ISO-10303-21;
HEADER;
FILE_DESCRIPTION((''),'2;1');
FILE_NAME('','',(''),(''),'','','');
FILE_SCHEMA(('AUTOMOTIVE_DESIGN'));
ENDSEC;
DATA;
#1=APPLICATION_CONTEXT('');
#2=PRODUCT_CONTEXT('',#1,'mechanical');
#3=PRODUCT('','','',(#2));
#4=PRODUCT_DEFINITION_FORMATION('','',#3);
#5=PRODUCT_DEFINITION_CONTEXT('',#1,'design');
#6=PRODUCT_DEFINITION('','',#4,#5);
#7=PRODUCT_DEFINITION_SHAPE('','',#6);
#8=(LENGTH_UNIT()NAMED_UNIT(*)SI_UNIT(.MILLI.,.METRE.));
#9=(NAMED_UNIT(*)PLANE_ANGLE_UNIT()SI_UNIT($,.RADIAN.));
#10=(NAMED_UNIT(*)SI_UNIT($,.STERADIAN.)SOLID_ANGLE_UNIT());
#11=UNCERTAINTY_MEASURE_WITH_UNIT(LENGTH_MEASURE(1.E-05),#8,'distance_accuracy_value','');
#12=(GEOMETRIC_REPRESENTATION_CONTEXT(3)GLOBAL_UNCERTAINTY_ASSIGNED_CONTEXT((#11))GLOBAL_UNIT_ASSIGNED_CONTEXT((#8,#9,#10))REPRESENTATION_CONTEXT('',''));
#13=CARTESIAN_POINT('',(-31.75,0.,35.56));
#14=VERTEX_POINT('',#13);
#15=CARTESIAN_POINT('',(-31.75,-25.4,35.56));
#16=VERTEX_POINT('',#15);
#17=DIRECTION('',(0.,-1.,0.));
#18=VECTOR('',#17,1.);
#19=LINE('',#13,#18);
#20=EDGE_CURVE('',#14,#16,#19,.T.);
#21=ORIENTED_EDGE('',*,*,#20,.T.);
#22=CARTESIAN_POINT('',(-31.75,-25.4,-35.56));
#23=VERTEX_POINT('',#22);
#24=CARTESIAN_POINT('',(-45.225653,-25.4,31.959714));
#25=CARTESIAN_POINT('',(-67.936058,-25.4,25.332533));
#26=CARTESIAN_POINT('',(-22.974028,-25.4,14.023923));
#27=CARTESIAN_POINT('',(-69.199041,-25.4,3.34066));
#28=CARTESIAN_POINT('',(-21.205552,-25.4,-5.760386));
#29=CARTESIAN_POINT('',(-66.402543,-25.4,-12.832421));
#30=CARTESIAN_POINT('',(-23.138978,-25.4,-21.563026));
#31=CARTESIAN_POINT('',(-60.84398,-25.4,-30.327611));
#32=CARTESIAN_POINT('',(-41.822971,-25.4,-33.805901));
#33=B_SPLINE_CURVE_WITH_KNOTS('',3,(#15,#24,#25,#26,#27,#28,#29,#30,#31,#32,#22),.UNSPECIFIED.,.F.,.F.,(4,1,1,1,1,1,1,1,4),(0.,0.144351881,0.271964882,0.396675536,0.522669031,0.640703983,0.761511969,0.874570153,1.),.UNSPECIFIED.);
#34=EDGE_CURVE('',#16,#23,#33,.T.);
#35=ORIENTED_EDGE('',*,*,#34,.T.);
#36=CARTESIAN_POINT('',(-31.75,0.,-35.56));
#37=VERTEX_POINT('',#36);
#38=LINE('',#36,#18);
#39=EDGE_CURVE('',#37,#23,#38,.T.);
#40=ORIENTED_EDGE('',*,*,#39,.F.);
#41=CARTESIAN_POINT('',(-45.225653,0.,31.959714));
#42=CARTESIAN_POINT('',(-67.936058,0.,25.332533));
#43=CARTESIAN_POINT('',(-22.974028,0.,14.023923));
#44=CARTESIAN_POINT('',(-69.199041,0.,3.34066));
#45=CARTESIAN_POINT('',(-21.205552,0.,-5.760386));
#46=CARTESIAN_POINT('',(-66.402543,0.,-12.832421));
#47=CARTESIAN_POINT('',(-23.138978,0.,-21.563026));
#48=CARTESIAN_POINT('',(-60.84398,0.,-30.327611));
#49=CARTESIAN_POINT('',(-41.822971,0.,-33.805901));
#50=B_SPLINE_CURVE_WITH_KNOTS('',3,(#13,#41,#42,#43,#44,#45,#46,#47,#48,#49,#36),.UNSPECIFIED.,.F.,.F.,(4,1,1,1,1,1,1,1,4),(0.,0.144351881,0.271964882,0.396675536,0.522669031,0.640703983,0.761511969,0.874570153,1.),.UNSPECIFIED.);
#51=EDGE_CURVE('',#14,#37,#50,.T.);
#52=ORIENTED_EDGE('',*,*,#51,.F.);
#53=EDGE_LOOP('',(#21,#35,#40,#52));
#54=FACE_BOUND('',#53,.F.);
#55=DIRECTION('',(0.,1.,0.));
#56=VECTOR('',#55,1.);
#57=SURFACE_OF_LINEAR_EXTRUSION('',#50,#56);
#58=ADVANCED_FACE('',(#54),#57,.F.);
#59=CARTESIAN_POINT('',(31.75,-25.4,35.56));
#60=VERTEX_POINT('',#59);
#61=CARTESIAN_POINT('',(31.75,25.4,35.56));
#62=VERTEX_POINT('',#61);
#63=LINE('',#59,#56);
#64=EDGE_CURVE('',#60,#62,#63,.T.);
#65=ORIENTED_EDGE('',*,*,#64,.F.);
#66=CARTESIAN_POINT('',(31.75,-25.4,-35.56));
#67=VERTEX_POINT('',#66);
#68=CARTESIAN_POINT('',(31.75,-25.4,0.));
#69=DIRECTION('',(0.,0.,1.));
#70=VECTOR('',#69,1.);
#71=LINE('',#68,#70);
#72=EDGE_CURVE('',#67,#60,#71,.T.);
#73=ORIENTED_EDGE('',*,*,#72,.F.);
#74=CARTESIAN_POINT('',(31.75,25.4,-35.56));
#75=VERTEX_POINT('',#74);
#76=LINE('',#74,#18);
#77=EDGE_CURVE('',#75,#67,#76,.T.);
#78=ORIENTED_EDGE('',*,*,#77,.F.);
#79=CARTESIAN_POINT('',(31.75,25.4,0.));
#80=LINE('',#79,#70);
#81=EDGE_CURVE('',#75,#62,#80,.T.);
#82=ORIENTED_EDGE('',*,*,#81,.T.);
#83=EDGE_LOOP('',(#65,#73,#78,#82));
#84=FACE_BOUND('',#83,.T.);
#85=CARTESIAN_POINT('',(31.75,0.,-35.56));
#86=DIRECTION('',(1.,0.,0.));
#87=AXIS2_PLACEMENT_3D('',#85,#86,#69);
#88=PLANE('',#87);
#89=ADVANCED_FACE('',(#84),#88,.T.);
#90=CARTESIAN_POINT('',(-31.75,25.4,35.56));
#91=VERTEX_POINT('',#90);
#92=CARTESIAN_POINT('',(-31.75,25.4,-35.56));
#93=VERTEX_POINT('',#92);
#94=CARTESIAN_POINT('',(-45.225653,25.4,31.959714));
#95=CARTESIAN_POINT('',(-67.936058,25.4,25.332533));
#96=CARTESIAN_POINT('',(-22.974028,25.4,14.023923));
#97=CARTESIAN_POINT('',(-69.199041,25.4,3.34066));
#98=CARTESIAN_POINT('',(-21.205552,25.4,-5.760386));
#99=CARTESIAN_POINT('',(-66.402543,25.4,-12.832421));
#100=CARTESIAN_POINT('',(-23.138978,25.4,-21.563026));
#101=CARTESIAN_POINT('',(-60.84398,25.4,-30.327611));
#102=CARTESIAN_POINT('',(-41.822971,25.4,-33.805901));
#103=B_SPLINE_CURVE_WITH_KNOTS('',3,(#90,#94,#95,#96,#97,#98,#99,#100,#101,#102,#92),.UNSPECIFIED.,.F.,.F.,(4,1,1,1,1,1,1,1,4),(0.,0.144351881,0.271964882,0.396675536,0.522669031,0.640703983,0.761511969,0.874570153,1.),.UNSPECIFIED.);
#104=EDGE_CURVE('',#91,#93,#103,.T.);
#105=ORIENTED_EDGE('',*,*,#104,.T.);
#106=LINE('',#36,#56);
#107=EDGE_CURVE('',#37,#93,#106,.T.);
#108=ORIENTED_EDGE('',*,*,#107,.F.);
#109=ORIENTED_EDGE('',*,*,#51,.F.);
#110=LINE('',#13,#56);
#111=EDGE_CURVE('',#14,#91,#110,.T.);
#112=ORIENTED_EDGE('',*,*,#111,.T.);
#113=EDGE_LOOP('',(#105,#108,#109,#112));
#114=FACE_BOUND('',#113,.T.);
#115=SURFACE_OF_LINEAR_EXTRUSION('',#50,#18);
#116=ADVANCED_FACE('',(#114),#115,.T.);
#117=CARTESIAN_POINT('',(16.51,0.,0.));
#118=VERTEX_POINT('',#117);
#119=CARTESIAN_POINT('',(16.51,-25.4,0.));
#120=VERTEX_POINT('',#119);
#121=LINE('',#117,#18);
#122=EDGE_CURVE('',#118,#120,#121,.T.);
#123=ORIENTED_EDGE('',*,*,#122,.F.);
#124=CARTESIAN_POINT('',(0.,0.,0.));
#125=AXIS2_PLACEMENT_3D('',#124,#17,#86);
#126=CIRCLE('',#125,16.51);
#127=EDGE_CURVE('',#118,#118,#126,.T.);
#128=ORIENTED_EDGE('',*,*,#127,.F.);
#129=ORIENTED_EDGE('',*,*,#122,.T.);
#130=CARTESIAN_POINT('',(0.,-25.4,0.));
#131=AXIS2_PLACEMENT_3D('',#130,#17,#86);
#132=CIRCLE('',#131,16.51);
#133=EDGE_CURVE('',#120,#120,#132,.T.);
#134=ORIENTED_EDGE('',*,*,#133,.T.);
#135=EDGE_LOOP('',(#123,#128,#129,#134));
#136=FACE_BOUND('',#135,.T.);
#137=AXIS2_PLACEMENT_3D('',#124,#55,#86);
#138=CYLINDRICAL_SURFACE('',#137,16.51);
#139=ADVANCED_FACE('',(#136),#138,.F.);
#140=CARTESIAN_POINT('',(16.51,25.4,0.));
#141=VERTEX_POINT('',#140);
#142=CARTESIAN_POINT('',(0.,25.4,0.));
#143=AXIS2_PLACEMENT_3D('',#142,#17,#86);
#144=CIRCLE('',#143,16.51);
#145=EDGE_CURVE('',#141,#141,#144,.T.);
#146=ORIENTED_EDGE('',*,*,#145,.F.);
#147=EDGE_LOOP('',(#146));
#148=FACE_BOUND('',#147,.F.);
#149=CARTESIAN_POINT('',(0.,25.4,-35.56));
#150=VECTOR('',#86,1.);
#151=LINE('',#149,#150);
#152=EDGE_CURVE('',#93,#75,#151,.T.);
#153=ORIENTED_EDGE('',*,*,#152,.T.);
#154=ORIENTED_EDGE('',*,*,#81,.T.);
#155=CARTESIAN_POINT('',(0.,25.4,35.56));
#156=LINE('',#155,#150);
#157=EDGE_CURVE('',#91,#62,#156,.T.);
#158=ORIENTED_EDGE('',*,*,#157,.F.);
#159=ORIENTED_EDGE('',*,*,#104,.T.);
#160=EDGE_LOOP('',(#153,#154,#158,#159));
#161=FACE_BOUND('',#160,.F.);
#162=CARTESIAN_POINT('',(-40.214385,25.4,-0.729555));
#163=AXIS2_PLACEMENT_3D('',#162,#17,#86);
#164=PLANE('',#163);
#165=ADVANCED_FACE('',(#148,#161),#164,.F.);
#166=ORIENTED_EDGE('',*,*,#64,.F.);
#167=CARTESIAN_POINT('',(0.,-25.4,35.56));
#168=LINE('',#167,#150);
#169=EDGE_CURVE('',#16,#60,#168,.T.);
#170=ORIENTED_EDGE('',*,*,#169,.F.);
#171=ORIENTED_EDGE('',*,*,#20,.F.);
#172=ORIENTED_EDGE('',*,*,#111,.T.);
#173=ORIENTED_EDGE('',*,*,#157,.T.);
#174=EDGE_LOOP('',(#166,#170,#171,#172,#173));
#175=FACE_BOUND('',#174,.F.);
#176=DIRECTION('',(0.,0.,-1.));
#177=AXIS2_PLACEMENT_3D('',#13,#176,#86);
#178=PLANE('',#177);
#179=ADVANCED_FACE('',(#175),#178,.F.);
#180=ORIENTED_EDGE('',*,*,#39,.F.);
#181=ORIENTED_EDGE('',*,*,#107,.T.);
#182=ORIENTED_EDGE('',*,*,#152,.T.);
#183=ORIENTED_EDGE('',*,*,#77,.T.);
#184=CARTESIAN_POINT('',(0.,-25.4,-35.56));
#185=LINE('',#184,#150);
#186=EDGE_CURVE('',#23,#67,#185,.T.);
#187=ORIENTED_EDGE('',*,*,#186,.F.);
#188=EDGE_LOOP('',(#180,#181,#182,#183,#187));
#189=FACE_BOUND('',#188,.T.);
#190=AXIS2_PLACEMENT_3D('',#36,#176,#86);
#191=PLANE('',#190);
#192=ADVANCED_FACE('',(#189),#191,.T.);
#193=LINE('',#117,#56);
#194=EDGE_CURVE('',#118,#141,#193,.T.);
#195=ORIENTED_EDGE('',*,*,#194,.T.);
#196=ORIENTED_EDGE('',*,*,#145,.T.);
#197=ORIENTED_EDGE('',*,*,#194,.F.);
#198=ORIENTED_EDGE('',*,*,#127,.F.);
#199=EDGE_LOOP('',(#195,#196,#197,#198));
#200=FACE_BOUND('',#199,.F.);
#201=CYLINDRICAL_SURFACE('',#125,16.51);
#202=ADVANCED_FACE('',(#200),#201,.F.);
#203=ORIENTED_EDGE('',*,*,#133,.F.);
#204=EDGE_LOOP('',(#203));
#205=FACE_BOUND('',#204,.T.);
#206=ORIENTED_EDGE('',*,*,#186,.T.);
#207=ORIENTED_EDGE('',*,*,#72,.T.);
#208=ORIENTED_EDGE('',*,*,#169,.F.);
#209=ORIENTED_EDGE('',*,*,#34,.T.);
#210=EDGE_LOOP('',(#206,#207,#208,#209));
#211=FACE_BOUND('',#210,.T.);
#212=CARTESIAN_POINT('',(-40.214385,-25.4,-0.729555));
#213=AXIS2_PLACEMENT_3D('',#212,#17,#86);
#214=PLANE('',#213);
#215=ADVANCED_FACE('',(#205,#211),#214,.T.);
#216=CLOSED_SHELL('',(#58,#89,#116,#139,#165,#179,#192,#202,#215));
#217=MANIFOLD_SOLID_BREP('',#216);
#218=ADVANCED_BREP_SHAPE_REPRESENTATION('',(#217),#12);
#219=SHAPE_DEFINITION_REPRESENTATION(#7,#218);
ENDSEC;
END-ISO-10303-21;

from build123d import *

# Parameters (mm, degrees)
F0_W     = 63.5
F0_H     = 71.12
F0_R     = 16.51
F1_DEPTH = 25.4


with BuildPart() as f1:
    # F0 (on Front) → F1 (new body, symmetric)
    with BuildSketch(Plane.XZ):
        with BuildLine():
            Line((-31.75, -35.56), (-31.75, 35.56))
            add(Edge.make_bspline(
                [(-31.75, 35.56), (-45.2256532398, 31.9597140257), (-67.9360583008, 25.3325329559), (-22.9740281518, 14.0239232417), (-69.1990406129, 3.3406599142), (-21.2055521663, -5.7603862659), (-66.402543105, -12.8324214786), (-23.1389779137, -21.5630260449), (-60.8439804451, -30.3276113497), (-41.8229713254, -33.8059006526), (-31.75, -35.56)],
                knots=[0, 0, 0, 0, 0.1443518809, 0.2719648823, 0.3966755362, 0.5226690311, 0.640703983, 0.7615119685, 0.8745701534, 1, 1, 1, 1], degree=3))
        make_face()
        Rectangle(F0_W, F0_H)
        Circle(F0_R, mode=Mode.SUBTRACT)
    extrude(amount=F1_DEPTH, both=True)


solid = f1.part
